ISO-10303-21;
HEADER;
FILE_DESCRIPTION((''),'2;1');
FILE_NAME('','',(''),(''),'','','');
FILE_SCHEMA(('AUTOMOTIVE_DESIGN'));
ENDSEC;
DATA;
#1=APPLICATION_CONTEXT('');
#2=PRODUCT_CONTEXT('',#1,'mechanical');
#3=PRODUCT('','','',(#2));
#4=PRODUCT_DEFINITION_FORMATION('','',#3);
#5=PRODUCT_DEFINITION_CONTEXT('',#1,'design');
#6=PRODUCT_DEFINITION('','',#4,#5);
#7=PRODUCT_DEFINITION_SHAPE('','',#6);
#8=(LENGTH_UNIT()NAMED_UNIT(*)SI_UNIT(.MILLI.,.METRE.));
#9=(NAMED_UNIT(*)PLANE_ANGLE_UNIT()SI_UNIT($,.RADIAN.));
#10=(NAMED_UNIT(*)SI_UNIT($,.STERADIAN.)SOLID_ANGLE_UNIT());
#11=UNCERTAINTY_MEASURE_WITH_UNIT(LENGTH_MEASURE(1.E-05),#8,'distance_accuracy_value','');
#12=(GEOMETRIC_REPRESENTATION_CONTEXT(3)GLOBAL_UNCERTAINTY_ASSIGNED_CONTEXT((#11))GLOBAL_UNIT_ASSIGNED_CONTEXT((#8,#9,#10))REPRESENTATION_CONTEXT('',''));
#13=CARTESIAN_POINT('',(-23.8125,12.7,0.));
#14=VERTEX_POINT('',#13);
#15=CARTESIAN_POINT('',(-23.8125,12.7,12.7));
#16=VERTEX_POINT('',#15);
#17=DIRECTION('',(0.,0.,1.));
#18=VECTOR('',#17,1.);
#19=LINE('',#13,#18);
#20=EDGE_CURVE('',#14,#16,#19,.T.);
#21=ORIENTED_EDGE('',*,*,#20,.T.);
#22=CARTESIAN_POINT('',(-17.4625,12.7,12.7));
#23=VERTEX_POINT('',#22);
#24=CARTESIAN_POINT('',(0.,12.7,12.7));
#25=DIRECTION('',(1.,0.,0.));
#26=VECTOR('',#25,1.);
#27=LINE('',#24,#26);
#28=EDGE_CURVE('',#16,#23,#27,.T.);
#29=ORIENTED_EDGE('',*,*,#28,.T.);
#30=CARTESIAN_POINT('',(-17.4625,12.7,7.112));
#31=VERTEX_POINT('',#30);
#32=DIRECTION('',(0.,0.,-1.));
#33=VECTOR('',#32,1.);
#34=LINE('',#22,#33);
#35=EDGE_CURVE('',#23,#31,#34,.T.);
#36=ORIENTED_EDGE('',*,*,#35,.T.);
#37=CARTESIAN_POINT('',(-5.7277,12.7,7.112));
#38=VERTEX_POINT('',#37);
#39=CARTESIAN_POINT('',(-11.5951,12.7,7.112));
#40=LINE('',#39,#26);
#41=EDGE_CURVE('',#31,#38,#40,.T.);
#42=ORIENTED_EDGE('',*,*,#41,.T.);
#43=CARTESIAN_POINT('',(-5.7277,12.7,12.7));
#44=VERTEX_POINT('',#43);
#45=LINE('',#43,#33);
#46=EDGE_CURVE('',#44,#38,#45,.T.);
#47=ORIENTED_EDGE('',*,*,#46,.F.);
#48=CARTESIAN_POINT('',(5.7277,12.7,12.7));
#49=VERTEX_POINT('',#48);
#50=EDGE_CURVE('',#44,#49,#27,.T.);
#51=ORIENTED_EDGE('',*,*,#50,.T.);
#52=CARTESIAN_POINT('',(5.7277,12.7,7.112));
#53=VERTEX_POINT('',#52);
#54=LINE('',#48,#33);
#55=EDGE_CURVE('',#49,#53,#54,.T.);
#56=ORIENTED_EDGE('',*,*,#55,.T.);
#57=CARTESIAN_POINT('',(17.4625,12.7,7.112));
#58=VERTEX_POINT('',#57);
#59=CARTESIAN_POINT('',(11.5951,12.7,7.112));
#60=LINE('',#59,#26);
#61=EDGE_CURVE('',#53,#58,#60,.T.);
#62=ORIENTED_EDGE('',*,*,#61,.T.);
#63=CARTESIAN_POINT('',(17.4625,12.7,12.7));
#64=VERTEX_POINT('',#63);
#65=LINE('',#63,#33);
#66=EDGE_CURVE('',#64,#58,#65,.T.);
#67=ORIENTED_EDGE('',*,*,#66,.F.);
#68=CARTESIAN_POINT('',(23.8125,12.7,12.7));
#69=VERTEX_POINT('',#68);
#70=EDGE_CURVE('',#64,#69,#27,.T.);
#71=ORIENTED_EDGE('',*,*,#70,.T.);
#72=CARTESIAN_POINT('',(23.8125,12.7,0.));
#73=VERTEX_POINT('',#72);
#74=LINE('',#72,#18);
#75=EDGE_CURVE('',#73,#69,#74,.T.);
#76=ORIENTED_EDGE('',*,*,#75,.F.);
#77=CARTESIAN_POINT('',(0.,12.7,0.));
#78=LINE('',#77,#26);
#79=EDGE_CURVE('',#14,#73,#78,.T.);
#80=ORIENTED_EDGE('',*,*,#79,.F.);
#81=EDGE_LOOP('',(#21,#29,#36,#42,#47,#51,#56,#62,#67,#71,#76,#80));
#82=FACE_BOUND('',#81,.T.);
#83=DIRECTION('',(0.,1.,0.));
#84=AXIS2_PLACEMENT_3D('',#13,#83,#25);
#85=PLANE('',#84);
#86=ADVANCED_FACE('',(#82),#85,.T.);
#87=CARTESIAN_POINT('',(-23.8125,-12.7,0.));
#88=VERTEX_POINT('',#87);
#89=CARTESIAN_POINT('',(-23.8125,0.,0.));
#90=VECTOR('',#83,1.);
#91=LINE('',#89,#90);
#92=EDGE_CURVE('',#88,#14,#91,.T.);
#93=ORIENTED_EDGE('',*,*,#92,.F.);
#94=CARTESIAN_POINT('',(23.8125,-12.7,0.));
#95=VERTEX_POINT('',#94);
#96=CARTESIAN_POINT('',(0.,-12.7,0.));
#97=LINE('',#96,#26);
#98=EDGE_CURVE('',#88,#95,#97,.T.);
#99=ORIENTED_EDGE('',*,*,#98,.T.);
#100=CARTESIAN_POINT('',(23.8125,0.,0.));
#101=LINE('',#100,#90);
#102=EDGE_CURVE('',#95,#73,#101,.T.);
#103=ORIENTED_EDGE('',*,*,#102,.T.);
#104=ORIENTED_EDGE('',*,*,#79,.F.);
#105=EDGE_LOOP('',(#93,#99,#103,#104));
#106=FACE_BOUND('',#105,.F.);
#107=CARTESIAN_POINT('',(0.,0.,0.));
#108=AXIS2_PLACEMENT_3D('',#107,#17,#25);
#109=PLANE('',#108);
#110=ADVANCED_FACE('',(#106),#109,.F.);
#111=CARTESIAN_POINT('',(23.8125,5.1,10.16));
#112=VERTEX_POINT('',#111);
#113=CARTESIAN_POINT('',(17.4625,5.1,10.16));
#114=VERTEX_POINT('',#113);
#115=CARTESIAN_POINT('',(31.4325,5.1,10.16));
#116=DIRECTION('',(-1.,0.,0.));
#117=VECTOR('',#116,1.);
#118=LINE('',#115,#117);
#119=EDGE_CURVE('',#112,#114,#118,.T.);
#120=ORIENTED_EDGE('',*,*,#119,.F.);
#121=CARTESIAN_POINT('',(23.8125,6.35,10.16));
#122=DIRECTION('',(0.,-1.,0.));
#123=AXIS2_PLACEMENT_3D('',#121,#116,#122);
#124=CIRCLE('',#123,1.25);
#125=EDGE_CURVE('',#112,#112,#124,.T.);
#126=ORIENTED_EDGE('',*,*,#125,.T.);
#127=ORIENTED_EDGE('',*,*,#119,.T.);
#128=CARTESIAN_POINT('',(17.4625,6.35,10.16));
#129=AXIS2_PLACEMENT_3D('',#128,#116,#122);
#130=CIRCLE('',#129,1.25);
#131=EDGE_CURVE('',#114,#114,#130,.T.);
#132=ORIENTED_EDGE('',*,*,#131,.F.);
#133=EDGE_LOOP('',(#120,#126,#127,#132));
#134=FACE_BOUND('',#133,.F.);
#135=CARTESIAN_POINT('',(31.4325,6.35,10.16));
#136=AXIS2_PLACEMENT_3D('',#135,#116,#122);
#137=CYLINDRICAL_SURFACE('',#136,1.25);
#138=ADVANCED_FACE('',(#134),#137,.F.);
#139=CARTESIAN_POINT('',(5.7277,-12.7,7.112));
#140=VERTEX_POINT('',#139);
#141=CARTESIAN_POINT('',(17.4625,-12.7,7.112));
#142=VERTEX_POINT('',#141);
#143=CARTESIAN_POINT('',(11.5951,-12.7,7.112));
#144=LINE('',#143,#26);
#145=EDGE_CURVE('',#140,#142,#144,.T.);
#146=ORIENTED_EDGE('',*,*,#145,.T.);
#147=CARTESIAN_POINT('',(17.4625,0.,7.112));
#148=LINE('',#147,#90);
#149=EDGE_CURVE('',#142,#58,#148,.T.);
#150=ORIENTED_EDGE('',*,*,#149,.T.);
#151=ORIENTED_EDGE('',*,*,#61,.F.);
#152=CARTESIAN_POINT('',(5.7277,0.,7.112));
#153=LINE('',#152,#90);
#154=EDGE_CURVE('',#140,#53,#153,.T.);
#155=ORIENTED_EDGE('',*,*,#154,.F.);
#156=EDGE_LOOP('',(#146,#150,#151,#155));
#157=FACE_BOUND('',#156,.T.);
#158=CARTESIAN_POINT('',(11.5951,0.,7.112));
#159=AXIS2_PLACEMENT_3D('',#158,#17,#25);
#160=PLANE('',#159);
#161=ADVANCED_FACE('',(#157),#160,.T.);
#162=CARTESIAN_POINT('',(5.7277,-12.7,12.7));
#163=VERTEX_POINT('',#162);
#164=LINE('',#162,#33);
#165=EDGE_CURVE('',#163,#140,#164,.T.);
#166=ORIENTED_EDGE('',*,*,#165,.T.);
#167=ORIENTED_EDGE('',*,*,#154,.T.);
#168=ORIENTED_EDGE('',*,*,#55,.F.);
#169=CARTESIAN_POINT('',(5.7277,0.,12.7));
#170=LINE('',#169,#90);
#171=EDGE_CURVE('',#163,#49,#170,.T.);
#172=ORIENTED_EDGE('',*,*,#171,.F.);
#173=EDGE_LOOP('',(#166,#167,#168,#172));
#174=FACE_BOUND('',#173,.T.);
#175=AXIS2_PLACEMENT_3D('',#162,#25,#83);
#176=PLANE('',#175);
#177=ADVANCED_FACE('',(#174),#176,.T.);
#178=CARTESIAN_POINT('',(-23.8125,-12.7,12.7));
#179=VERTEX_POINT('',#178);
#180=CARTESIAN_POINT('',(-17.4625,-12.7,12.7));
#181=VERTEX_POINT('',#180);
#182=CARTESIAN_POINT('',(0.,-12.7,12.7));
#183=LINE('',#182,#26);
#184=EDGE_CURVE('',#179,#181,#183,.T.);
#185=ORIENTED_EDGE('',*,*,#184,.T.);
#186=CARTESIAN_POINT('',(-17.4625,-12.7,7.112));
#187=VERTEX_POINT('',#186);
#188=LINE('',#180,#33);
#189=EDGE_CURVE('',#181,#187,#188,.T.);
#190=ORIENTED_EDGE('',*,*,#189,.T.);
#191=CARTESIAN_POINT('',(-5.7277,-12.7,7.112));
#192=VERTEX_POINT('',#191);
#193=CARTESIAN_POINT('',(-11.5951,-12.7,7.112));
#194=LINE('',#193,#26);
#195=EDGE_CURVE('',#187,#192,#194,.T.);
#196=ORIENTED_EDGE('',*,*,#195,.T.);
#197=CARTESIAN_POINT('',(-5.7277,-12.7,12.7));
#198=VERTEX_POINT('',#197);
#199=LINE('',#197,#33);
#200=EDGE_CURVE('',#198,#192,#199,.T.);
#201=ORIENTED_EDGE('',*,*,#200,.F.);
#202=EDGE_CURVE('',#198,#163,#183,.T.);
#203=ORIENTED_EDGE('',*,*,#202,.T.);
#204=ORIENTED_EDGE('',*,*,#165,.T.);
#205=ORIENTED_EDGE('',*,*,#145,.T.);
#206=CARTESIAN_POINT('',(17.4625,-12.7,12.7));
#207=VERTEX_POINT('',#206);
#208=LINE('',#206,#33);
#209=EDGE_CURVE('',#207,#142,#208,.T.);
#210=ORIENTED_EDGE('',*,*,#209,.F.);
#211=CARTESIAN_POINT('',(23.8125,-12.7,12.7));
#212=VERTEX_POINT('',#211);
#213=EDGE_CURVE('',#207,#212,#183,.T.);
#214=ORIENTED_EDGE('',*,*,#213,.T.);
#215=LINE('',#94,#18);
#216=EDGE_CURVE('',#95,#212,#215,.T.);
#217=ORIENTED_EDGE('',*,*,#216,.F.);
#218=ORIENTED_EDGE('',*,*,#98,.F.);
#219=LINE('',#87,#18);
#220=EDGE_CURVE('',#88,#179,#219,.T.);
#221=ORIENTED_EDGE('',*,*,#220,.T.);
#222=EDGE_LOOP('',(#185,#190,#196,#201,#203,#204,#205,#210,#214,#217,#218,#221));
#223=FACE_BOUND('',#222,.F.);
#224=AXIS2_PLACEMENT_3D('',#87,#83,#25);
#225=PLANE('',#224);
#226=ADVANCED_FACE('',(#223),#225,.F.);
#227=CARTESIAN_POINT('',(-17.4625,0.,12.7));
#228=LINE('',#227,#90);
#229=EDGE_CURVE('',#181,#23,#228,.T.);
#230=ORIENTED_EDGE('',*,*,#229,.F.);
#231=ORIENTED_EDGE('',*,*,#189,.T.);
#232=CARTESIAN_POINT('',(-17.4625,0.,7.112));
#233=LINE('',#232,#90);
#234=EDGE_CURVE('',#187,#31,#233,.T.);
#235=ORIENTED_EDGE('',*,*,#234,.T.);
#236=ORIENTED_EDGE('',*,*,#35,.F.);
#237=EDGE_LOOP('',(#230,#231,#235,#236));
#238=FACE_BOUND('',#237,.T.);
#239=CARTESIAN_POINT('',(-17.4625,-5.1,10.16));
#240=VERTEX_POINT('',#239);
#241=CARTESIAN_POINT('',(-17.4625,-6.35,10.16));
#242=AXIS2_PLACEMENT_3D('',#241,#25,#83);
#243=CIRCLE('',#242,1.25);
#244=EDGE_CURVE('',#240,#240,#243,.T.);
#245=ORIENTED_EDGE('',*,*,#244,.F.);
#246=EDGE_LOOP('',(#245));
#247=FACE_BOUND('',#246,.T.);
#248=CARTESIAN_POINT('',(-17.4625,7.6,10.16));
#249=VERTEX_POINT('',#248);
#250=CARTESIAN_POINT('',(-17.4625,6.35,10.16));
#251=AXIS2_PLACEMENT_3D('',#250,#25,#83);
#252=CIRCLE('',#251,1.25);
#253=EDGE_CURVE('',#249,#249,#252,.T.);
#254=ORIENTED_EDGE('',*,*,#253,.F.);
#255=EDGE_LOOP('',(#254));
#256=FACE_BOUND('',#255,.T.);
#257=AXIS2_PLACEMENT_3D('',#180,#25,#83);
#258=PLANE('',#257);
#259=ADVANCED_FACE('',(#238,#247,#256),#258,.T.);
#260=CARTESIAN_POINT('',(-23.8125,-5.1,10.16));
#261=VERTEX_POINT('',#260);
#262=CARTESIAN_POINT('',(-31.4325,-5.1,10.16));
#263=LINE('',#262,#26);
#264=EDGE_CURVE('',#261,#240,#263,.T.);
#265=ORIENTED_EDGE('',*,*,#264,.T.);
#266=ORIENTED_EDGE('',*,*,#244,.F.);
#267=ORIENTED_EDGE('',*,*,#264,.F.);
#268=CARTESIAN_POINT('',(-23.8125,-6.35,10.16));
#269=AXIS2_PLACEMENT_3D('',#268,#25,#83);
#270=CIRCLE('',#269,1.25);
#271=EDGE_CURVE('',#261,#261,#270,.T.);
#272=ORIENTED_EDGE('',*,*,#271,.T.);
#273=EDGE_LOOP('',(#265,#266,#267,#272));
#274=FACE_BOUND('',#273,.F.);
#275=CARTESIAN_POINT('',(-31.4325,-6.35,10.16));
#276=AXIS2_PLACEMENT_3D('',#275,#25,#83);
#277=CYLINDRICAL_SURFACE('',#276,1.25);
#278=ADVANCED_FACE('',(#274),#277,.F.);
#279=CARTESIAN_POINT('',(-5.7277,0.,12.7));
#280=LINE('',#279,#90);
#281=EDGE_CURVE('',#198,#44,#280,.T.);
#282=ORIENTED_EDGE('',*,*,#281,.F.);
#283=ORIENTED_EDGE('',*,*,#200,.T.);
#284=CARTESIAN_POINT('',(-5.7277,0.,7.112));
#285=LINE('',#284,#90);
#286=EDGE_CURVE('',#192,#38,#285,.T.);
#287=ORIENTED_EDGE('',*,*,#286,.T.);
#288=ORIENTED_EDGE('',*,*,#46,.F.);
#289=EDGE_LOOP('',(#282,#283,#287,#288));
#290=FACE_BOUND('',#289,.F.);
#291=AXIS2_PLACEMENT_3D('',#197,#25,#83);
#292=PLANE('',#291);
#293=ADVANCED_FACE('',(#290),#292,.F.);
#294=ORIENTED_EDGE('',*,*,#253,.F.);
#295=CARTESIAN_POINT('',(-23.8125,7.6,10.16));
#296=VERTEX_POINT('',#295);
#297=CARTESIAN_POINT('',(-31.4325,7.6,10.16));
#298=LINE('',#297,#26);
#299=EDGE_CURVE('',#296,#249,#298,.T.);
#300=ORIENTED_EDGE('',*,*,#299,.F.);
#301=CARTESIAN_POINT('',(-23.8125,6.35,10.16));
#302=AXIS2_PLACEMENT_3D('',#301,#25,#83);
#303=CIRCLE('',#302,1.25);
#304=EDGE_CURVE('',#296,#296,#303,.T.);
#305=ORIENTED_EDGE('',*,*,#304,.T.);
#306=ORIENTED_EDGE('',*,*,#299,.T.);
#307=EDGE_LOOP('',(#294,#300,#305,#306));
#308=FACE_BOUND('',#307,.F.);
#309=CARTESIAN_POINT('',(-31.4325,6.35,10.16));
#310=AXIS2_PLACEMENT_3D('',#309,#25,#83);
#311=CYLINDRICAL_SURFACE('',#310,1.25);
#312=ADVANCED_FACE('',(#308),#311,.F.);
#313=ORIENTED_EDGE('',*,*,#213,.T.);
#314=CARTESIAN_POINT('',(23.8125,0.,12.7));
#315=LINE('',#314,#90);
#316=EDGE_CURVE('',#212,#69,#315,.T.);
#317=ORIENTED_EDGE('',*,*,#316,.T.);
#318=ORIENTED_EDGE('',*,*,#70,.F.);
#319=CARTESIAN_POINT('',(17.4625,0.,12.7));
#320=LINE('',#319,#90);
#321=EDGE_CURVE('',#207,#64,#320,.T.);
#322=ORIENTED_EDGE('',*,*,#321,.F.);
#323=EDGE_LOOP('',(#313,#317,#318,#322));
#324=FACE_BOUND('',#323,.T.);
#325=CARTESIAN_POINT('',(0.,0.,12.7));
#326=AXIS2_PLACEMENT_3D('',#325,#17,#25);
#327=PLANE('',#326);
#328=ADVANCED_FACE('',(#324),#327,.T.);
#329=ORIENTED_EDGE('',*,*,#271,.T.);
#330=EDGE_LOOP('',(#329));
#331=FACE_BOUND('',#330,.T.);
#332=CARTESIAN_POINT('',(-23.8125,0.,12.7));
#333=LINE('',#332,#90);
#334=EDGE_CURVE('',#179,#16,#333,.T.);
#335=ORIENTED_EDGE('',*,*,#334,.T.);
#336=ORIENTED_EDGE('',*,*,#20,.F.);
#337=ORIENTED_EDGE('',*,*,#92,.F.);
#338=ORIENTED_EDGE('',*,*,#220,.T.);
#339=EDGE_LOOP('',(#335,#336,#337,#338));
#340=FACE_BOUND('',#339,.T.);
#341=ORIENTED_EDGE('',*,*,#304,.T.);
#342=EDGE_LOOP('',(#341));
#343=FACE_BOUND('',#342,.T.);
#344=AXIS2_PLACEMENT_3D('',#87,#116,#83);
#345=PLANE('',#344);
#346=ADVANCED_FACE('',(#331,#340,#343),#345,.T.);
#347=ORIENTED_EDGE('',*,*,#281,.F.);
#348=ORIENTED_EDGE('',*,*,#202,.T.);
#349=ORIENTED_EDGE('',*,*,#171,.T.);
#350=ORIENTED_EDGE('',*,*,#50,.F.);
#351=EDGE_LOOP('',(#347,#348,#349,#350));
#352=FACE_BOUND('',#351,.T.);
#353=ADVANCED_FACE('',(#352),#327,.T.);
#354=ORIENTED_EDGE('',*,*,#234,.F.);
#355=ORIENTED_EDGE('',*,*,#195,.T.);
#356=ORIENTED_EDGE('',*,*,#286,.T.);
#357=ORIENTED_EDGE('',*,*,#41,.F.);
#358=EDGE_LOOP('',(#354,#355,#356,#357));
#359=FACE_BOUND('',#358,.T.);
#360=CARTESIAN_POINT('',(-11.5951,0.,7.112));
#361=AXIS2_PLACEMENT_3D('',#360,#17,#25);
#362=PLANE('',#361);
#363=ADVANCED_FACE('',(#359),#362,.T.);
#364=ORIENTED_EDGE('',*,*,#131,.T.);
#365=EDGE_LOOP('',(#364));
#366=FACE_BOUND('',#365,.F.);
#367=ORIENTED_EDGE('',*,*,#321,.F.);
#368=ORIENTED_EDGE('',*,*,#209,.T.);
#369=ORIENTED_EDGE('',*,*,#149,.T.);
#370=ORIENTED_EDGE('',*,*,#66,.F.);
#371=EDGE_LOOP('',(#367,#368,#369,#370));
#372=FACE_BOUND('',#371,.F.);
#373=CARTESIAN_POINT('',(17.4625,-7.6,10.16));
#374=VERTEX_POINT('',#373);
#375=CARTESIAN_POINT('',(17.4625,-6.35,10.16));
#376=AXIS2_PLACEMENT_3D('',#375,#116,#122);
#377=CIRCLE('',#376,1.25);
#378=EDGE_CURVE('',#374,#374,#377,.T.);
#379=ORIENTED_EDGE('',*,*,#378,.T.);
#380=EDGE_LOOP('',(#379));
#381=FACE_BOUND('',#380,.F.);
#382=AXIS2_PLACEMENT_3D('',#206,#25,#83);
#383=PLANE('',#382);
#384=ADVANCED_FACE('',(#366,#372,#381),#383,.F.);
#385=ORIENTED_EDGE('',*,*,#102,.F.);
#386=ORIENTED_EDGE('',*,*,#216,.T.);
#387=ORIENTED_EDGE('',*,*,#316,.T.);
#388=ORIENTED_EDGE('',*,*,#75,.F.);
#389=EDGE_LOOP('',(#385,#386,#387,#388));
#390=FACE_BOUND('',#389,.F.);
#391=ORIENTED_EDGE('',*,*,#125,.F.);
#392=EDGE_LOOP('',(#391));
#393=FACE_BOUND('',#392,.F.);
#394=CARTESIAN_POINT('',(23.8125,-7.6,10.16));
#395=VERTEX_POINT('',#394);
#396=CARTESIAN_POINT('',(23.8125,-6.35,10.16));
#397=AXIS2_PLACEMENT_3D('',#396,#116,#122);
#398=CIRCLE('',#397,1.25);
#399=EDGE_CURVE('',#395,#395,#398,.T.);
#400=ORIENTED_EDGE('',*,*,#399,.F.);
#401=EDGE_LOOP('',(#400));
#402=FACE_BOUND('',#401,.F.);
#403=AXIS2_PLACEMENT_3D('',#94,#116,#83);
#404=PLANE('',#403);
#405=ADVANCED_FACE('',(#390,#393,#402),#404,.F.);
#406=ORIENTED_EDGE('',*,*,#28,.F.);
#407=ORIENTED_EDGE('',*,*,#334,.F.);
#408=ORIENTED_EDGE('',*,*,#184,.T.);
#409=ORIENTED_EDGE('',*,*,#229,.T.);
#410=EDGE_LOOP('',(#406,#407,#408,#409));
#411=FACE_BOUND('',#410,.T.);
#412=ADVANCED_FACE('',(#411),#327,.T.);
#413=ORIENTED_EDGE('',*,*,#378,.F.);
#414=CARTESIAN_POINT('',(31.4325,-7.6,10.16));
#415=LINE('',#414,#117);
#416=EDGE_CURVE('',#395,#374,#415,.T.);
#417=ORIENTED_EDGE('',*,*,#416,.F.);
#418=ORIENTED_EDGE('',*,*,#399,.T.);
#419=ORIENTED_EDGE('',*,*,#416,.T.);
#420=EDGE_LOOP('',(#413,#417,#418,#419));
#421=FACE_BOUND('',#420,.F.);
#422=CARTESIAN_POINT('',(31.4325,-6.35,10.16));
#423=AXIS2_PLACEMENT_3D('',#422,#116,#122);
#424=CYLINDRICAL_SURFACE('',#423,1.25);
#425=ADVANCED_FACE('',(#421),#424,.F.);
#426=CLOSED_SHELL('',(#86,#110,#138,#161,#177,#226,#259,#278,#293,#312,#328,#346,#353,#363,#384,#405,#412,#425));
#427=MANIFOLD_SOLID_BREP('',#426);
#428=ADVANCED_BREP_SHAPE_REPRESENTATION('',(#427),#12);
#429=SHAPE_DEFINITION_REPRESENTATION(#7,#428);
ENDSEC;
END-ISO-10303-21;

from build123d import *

# Parameters (mm, degrees)
F0_W     = 47.625
F0_H     = 25.4
F1_DEPTH = 12.7
F2_W     = 11.7348
F2_H     = 25.4
F3_DEPTH = 5.588
F6_D     = 2.5
F6_DEPTH = 7.62
F6_TIP   = 0.7510757738
F7_D     = 2.5
F7_DEPTH = 7.62
F7_TIP   = 0.7510757738


with BuildPart() as f1:
    # F0 (on Top) → F1 (new body)
    with BuildSketch(Plane.XY):
        Rectangle(F0_W, F0_H)
    extrude(amount=F1_DEPTH)

    # F2 (on face) → F3 (cut)
    with BuildSketch(Plane.XY.offset(12.7)):
        with Locations((-11.5951, 0)):
            Rectangle(F2_W, F2_H)
        with Locations((11.5951, 0)):
            Rectangle(F2_W, F2_H)
    extrude(amount=-F3_DEPTH, mode=Mode.SUBTRACT)

    # F6
    with Locations(Plane(origin=(-23.8125, 0, 0), x_dir=(0, -1, 0), z_dir=(-1, 0, 0))):
        with Locations((6.35, 10.16), (-6.35, 10.16)):
            Hole(F6_D / 2, depth=F6_DEPTH)
            with Locations((0, 0, -(F6_DEPTH + F6_TIP / 2))):  # 118° drill point
                Cone(0, F6_D / 2, F6_TIP, mode=Mode.SUBTRACT)

    # F7
    with Locations(Plane.YZ.offset(23.8125)):
        with Locations((-6.35, 10.16), (6.35, 10.16)):
            Hole(F7_D / 2, depth=F7_DEPTH)
            with Locations((0, 0, -(F7_DEPTH + F7_TIP / 2))):  # 118° drill point
                Cone(0, F7_D / 2, F7_TIP, mode=Mode.SUBTRACT)


solid = f1.part
